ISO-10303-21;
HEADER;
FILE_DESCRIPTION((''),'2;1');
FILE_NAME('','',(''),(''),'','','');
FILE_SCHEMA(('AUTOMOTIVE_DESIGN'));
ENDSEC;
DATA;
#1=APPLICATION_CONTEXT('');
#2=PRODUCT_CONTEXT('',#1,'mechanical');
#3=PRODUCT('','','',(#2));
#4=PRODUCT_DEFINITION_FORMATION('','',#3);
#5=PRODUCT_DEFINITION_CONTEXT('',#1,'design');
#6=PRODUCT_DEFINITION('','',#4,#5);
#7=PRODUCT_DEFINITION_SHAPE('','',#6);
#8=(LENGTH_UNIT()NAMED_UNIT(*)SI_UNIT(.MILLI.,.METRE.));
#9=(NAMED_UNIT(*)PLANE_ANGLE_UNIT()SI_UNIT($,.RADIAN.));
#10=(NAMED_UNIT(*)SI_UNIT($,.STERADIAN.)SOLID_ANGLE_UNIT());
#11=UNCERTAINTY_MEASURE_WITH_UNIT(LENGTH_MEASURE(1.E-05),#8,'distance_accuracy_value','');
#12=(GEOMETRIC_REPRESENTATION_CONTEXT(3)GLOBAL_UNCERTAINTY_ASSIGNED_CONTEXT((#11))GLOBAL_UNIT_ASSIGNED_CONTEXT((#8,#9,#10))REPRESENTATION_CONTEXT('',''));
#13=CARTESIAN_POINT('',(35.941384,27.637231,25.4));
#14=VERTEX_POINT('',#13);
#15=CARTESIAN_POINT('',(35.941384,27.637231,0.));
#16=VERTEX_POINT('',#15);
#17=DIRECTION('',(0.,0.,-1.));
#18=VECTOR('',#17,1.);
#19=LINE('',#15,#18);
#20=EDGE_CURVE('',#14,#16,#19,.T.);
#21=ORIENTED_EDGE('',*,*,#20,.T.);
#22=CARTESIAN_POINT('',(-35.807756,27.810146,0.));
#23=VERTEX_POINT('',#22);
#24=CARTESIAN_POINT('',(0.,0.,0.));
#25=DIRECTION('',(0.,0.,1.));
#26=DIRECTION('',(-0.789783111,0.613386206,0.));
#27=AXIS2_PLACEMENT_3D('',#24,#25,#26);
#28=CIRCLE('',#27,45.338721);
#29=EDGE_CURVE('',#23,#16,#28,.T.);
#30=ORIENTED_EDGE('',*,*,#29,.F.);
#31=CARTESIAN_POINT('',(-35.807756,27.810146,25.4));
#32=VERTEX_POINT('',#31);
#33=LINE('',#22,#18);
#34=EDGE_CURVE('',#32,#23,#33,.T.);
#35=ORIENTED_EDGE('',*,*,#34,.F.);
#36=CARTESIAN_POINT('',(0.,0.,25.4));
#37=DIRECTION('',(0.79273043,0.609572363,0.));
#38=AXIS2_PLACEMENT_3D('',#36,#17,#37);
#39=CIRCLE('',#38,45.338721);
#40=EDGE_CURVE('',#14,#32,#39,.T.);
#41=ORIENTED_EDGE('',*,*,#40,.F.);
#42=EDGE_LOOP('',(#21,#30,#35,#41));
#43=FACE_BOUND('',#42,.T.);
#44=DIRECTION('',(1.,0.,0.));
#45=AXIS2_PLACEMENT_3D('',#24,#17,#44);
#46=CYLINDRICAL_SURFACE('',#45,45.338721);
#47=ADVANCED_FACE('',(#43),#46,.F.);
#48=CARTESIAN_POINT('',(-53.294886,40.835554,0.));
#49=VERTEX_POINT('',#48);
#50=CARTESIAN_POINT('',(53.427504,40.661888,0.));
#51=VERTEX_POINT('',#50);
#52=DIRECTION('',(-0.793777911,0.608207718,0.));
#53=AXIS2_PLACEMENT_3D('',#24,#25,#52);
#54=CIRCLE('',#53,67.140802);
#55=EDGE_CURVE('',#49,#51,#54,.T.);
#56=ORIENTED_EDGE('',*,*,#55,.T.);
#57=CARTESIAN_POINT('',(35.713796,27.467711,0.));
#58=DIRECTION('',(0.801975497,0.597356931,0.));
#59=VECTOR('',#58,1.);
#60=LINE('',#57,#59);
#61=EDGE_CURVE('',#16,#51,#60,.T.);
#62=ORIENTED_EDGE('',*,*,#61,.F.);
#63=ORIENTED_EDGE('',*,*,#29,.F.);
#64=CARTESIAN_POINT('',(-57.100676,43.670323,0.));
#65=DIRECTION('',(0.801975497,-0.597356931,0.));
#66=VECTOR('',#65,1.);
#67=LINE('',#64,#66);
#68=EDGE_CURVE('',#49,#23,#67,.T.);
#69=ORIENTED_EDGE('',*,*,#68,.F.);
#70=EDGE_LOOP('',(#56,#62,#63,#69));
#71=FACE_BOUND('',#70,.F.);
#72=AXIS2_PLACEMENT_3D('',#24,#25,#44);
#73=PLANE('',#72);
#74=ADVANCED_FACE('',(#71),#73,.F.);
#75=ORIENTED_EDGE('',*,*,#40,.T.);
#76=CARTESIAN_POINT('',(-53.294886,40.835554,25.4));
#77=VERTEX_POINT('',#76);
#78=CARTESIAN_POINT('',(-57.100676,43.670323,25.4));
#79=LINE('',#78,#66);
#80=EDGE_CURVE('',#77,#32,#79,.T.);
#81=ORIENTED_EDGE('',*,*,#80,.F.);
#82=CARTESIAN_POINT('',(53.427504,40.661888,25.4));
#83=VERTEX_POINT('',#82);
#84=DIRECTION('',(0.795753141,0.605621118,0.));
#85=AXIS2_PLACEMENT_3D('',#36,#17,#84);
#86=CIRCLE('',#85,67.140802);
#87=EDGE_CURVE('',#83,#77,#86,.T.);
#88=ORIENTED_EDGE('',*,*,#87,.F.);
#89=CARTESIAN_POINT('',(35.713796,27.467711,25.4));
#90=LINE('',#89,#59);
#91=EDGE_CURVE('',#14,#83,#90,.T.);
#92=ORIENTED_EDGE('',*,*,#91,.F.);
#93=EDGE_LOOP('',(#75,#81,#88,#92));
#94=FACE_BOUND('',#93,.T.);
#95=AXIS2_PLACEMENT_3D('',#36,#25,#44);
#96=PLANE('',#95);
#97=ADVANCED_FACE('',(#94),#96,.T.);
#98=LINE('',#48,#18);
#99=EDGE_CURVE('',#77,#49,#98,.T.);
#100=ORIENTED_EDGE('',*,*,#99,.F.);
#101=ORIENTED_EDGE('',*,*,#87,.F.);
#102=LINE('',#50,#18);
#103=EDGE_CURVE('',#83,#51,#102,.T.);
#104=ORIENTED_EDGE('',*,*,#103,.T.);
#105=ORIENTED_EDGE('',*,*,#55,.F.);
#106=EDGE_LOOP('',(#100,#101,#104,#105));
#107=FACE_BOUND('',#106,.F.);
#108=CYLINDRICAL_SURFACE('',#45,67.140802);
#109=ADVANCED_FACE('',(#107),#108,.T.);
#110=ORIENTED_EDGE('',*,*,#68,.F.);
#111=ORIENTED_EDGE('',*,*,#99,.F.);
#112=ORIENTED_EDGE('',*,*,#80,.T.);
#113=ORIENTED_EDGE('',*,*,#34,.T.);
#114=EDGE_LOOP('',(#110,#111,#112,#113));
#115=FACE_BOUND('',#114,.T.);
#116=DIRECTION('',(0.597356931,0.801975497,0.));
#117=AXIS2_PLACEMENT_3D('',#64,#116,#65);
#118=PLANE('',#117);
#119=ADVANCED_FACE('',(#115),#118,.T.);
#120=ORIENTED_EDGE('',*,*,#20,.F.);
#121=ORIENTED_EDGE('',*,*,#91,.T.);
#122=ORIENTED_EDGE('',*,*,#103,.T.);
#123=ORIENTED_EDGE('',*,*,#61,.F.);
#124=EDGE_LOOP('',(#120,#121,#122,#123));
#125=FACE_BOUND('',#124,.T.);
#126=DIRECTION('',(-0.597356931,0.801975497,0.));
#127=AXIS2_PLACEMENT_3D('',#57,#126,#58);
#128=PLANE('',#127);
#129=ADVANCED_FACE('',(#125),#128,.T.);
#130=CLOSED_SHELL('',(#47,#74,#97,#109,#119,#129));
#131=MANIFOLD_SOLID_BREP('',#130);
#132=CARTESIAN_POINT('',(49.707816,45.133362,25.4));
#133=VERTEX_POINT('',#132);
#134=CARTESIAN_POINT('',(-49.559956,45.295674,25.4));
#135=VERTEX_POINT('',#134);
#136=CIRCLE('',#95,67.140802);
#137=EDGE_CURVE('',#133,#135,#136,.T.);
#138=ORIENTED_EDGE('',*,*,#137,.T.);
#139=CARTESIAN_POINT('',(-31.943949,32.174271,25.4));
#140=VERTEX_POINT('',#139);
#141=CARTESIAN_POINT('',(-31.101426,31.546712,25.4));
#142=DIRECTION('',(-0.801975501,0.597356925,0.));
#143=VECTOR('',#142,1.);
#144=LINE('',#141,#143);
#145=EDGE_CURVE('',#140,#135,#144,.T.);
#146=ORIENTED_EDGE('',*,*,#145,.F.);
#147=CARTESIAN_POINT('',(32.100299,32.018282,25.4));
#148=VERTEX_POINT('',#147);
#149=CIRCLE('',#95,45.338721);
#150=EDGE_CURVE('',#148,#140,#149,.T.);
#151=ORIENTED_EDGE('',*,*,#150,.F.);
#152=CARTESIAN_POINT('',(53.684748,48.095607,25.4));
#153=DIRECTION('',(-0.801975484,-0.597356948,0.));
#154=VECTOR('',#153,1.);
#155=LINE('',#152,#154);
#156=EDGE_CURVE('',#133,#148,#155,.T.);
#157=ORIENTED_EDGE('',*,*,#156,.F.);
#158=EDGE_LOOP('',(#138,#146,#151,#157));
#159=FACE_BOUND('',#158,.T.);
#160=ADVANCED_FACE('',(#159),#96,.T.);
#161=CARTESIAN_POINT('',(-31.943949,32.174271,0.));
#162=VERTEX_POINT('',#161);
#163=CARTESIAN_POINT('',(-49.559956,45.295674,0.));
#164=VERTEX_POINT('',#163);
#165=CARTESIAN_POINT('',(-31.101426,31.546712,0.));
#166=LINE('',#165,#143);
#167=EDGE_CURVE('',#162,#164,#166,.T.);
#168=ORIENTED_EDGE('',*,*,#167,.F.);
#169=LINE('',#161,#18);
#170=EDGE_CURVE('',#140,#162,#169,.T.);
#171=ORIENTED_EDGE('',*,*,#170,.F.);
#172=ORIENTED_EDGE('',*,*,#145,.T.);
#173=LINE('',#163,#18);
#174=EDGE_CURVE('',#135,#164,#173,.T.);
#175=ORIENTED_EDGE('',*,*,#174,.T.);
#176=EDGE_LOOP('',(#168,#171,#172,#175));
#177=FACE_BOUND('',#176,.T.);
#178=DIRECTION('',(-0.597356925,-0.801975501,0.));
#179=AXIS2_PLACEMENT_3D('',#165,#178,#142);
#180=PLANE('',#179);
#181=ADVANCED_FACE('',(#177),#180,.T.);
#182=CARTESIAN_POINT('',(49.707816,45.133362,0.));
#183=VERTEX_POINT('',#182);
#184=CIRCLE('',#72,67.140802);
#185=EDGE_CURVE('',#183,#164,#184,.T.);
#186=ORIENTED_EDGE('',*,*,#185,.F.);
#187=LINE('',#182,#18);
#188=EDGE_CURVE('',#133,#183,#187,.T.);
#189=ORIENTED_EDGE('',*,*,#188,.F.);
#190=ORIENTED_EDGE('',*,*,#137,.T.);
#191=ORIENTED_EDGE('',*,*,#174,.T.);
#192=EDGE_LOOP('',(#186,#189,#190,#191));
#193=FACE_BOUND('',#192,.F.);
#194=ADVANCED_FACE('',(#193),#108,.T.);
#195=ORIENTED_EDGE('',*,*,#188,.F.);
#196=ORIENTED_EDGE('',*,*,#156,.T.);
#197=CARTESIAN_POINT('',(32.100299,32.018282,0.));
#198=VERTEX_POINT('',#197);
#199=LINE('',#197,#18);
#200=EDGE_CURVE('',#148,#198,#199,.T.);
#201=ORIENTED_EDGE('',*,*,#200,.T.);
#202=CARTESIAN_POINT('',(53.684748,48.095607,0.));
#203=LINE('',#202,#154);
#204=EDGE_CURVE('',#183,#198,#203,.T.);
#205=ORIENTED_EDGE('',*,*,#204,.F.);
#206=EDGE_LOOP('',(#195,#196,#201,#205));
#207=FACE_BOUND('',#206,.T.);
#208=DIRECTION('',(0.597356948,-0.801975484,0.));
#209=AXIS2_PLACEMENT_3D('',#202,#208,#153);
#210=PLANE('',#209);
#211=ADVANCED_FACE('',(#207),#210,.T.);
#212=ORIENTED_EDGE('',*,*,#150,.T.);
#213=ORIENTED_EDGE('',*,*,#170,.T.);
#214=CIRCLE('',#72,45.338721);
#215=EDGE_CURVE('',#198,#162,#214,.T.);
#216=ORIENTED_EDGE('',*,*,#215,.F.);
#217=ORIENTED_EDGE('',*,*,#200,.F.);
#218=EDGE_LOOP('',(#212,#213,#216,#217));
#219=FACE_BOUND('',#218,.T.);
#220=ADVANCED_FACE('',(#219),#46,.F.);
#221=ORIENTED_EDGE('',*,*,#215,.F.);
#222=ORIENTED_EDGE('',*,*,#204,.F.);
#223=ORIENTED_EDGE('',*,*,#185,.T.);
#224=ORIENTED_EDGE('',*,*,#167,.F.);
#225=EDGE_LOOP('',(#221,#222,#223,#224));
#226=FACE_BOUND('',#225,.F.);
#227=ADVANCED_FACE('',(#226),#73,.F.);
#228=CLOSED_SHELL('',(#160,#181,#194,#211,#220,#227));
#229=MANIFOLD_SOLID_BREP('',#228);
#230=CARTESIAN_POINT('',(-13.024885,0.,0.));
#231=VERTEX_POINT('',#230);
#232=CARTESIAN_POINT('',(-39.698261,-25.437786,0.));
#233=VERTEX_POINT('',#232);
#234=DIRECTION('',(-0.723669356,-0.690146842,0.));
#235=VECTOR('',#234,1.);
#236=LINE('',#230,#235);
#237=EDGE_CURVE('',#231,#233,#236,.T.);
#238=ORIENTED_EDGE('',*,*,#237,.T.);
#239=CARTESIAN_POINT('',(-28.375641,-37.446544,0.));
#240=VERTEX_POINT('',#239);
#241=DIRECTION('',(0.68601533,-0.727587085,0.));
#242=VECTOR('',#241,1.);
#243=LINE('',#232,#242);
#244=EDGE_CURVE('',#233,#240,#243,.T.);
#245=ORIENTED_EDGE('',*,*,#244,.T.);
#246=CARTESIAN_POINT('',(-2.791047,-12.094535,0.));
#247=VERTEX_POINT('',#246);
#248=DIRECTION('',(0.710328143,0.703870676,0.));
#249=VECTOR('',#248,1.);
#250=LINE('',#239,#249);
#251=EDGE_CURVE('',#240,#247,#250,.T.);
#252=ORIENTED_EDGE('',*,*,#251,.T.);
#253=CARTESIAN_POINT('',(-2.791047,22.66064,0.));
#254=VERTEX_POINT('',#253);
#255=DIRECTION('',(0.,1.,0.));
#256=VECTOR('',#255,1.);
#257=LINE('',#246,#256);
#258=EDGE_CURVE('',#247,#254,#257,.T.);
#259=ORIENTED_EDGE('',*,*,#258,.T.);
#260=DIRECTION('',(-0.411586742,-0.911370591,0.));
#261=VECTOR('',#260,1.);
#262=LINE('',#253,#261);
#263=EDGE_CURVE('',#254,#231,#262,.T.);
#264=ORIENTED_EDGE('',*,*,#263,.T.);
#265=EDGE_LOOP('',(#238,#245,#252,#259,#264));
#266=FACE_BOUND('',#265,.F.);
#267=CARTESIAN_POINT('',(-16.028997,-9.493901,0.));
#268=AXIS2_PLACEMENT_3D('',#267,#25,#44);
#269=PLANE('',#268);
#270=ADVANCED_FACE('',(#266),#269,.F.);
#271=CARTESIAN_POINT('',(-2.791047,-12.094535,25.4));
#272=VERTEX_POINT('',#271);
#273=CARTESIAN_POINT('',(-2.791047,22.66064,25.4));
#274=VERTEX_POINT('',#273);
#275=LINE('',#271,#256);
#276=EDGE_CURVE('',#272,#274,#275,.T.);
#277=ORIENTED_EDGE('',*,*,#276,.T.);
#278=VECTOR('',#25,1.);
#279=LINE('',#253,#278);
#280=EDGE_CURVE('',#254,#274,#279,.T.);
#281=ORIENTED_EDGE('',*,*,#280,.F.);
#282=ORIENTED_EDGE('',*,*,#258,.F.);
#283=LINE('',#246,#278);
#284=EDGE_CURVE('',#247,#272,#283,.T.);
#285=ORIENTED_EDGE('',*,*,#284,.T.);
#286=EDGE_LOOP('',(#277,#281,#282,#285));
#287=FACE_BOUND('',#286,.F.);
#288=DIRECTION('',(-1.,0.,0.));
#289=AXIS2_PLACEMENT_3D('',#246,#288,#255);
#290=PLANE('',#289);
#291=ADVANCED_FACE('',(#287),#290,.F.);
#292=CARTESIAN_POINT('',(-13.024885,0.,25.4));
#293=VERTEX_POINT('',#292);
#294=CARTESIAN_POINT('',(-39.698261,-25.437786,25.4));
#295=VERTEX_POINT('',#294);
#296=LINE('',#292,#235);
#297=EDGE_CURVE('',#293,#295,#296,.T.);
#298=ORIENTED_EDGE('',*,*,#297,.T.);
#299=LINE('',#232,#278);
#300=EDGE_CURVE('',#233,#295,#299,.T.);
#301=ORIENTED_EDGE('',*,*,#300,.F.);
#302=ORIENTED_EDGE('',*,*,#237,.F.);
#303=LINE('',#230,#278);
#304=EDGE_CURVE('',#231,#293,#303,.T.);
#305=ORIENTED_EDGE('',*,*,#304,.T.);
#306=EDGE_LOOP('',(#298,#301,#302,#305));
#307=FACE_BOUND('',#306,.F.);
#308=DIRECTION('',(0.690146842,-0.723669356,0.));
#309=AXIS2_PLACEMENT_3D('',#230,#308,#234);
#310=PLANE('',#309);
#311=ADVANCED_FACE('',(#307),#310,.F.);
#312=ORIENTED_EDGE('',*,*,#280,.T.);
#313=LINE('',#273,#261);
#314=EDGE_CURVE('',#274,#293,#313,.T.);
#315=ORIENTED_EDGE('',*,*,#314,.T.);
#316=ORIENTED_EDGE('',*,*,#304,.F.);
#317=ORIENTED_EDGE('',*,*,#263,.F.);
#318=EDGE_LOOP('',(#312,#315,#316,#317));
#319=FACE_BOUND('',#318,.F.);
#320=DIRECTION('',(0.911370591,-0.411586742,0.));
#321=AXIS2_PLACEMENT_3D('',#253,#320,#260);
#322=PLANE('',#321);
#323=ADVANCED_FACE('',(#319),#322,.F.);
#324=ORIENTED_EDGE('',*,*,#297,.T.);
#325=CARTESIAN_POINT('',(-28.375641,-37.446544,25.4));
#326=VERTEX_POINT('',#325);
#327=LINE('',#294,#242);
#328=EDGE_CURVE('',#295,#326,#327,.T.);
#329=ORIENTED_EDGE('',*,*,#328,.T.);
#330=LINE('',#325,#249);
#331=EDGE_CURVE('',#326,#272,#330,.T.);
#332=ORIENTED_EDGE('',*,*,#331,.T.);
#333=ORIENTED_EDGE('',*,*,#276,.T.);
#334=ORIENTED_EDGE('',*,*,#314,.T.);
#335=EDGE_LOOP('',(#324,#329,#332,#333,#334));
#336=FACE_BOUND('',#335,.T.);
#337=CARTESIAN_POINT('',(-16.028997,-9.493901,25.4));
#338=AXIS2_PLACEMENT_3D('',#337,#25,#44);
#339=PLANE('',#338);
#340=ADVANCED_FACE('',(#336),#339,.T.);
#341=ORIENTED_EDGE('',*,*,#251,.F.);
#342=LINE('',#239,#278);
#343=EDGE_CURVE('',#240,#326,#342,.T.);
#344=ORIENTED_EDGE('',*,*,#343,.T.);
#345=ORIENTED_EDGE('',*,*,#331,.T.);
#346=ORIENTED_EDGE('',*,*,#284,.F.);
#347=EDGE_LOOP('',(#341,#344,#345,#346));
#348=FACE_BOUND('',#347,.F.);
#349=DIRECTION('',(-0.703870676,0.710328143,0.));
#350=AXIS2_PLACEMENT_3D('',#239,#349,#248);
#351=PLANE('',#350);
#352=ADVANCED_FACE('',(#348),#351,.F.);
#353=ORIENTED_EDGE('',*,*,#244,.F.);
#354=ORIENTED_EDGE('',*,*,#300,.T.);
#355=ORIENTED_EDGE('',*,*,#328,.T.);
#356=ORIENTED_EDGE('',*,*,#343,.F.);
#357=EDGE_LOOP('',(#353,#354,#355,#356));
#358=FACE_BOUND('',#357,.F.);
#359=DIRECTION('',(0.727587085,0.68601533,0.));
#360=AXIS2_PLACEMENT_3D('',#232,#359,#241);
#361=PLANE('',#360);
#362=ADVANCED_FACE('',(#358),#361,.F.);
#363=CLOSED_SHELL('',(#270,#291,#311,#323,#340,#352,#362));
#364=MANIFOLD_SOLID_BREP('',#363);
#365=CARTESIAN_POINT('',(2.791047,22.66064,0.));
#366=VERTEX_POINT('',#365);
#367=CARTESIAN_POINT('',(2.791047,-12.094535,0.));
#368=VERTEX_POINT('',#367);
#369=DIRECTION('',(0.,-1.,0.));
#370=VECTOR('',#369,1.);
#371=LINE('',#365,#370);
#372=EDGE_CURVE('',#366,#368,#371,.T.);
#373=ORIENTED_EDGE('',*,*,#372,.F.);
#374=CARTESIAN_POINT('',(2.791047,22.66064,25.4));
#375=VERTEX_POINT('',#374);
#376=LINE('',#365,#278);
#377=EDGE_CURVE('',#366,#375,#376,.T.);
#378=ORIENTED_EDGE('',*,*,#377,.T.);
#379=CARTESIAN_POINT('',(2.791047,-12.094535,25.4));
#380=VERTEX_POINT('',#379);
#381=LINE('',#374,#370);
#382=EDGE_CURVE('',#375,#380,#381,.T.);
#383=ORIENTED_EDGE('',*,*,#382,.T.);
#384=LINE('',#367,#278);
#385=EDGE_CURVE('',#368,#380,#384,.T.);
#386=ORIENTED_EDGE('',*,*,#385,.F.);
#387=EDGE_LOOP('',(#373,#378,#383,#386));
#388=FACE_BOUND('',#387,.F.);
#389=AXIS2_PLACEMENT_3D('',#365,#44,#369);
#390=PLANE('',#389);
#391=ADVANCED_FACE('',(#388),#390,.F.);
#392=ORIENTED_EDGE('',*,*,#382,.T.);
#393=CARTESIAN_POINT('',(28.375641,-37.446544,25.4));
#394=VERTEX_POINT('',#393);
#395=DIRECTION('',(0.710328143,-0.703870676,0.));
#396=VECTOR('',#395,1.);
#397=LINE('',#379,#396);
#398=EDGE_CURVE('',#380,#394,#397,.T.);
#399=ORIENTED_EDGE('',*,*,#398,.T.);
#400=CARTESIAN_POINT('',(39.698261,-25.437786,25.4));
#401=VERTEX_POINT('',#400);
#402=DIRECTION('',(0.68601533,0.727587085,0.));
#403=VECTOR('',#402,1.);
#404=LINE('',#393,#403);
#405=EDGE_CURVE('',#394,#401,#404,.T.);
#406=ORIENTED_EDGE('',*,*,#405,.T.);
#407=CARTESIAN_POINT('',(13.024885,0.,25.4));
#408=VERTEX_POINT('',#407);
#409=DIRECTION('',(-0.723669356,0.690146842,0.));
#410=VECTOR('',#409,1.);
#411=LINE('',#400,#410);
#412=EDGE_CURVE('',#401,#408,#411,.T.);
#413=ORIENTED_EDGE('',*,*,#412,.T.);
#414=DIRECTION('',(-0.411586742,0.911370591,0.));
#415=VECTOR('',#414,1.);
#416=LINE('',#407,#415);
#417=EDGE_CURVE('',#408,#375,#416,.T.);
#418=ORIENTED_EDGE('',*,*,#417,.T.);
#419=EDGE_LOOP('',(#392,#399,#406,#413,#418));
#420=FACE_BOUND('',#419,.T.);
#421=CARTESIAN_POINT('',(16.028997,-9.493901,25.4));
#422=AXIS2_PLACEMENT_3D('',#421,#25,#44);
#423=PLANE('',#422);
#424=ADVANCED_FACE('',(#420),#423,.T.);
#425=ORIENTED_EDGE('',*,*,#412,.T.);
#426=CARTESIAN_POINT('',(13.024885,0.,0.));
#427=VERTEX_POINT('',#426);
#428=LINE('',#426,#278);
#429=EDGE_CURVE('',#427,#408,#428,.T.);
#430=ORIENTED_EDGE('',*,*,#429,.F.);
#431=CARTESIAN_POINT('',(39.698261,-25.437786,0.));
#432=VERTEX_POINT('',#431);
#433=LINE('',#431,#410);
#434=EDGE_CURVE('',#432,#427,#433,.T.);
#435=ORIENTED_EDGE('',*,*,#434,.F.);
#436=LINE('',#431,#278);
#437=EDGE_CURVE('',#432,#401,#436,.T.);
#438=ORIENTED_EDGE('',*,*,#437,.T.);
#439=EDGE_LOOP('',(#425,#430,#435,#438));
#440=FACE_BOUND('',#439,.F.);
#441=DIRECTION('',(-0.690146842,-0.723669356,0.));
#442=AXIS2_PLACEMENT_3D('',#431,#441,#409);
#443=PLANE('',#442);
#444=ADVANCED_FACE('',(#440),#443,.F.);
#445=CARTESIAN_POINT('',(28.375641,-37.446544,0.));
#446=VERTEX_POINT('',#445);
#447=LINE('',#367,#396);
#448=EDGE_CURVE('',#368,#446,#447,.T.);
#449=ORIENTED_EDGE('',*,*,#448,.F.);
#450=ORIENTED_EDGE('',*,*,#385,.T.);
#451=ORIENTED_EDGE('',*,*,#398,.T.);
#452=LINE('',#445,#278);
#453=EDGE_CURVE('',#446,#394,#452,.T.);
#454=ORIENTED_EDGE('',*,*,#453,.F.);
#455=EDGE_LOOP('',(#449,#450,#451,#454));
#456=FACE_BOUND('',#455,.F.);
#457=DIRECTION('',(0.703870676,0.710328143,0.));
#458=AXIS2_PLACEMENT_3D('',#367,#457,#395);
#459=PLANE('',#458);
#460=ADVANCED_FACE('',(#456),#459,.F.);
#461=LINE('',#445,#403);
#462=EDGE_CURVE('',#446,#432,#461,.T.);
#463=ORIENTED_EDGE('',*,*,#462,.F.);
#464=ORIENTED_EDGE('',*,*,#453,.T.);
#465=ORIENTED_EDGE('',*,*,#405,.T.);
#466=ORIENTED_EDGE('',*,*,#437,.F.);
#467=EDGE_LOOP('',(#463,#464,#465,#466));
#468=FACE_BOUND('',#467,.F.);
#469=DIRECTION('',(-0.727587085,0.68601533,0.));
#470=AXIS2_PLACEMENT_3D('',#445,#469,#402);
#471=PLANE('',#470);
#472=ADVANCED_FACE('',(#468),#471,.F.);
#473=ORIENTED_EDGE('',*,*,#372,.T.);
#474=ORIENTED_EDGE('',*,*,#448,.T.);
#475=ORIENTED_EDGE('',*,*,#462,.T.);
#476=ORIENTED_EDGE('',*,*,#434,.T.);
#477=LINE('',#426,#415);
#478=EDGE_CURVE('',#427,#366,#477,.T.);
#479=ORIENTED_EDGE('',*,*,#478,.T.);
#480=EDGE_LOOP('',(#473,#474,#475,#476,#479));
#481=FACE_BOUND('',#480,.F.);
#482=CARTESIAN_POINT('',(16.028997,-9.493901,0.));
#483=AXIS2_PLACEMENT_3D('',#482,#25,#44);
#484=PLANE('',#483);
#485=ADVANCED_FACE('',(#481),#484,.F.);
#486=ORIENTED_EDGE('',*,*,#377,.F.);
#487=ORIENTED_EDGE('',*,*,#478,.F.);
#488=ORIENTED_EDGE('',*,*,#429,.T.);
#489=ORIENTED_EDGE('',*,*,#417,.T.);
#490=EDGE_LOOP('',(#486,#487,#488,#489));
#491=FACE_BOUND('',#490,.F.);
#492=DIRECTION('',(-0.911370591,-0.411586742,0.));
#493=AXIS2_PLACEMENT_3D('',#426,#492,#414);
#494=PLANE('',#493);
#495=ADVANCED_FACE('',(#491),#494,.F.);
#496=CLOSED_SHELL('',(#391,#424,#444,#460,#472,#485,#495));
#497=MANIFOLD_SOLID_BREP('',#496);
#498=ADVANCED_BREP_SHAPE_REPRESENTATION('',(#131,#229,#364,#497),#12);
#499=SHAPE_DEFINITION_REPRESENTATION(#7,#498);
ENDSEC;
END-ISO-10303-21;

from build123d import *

# Parameters (mm, degrees)
F0_R     = 67.140802
F1_DEPTH = 25.4
F2_R     = 45.338721
F3_DEPTH = 25.4
F5_DEPTH = 25.4
F6_DEPTH = 25.4
F8_DEPTH = 25.4


with BuildPart() as f1:
    # F0 (on Top) → F1 (new body)
    with BuildSketch(Plane.XY):
        Circle(F0_R)
    extrude(amount=F1_DEPTH)

    # F2 (on Top) → F3 (cut)
    with BuildSketch(Plane.XY):
        Circle(F2_R)
    extrude(amount=F3_DEPTH, mode=Mode.SUBTRACT)

    # F4 (on Top) → F5 (cut)
    with BuildSketch(Plane.XY):
        Polygon((-57.100676, 43.670323), (-35.660278, 27.700296), (-31.101426, 31.546712), (-53.631231, 48.328191), align=None)
        Polygon((35.713796, 27.467711), (57.154194, 43.437738), (53.684748, 48.095607), (31.154943, 31.314127), align=None)
    extrude(amount=F5_DEPTH, mode=Mode.SUBTRACT)

    # F4 (on Top) → F6 (cut)
    with BuildSketch(Plane.XY):
        Polygon((-57.100676, 43.670323), (-35.660278, 27.700296), (-31.101426, 31.546712), (-53.631231, 48.328191), align=None)
        Polygon((35.713796, 27.467711), (57.154194, 43.437738), (53.684748, 48.095607), (31.154943, 31.314127), align=None)
    extrude(amount=F6_DEPTH, mode=Mode.SUBTRACT)


with BuildPart() as f8:
    # F7 (on Top) → F8 (new body)
    with BuildSketch(Plane.XY):
        Polygon((-2.791047, -12.094535), (-2.791047, 22.66064), (-13.024885, 0), (-39.698261, -25.437786), (-28.375641, -37.446544), align=None)
        Polygon((13.024885, 0), (2.791047, 22.66064), (2.791047, -12.094535), (28.375641, -37.446544), (39.698261, -25.437786), align=None)
    extrude(amount=F8_DEPTH)


solid = Compound([f1.part, f8.part])
